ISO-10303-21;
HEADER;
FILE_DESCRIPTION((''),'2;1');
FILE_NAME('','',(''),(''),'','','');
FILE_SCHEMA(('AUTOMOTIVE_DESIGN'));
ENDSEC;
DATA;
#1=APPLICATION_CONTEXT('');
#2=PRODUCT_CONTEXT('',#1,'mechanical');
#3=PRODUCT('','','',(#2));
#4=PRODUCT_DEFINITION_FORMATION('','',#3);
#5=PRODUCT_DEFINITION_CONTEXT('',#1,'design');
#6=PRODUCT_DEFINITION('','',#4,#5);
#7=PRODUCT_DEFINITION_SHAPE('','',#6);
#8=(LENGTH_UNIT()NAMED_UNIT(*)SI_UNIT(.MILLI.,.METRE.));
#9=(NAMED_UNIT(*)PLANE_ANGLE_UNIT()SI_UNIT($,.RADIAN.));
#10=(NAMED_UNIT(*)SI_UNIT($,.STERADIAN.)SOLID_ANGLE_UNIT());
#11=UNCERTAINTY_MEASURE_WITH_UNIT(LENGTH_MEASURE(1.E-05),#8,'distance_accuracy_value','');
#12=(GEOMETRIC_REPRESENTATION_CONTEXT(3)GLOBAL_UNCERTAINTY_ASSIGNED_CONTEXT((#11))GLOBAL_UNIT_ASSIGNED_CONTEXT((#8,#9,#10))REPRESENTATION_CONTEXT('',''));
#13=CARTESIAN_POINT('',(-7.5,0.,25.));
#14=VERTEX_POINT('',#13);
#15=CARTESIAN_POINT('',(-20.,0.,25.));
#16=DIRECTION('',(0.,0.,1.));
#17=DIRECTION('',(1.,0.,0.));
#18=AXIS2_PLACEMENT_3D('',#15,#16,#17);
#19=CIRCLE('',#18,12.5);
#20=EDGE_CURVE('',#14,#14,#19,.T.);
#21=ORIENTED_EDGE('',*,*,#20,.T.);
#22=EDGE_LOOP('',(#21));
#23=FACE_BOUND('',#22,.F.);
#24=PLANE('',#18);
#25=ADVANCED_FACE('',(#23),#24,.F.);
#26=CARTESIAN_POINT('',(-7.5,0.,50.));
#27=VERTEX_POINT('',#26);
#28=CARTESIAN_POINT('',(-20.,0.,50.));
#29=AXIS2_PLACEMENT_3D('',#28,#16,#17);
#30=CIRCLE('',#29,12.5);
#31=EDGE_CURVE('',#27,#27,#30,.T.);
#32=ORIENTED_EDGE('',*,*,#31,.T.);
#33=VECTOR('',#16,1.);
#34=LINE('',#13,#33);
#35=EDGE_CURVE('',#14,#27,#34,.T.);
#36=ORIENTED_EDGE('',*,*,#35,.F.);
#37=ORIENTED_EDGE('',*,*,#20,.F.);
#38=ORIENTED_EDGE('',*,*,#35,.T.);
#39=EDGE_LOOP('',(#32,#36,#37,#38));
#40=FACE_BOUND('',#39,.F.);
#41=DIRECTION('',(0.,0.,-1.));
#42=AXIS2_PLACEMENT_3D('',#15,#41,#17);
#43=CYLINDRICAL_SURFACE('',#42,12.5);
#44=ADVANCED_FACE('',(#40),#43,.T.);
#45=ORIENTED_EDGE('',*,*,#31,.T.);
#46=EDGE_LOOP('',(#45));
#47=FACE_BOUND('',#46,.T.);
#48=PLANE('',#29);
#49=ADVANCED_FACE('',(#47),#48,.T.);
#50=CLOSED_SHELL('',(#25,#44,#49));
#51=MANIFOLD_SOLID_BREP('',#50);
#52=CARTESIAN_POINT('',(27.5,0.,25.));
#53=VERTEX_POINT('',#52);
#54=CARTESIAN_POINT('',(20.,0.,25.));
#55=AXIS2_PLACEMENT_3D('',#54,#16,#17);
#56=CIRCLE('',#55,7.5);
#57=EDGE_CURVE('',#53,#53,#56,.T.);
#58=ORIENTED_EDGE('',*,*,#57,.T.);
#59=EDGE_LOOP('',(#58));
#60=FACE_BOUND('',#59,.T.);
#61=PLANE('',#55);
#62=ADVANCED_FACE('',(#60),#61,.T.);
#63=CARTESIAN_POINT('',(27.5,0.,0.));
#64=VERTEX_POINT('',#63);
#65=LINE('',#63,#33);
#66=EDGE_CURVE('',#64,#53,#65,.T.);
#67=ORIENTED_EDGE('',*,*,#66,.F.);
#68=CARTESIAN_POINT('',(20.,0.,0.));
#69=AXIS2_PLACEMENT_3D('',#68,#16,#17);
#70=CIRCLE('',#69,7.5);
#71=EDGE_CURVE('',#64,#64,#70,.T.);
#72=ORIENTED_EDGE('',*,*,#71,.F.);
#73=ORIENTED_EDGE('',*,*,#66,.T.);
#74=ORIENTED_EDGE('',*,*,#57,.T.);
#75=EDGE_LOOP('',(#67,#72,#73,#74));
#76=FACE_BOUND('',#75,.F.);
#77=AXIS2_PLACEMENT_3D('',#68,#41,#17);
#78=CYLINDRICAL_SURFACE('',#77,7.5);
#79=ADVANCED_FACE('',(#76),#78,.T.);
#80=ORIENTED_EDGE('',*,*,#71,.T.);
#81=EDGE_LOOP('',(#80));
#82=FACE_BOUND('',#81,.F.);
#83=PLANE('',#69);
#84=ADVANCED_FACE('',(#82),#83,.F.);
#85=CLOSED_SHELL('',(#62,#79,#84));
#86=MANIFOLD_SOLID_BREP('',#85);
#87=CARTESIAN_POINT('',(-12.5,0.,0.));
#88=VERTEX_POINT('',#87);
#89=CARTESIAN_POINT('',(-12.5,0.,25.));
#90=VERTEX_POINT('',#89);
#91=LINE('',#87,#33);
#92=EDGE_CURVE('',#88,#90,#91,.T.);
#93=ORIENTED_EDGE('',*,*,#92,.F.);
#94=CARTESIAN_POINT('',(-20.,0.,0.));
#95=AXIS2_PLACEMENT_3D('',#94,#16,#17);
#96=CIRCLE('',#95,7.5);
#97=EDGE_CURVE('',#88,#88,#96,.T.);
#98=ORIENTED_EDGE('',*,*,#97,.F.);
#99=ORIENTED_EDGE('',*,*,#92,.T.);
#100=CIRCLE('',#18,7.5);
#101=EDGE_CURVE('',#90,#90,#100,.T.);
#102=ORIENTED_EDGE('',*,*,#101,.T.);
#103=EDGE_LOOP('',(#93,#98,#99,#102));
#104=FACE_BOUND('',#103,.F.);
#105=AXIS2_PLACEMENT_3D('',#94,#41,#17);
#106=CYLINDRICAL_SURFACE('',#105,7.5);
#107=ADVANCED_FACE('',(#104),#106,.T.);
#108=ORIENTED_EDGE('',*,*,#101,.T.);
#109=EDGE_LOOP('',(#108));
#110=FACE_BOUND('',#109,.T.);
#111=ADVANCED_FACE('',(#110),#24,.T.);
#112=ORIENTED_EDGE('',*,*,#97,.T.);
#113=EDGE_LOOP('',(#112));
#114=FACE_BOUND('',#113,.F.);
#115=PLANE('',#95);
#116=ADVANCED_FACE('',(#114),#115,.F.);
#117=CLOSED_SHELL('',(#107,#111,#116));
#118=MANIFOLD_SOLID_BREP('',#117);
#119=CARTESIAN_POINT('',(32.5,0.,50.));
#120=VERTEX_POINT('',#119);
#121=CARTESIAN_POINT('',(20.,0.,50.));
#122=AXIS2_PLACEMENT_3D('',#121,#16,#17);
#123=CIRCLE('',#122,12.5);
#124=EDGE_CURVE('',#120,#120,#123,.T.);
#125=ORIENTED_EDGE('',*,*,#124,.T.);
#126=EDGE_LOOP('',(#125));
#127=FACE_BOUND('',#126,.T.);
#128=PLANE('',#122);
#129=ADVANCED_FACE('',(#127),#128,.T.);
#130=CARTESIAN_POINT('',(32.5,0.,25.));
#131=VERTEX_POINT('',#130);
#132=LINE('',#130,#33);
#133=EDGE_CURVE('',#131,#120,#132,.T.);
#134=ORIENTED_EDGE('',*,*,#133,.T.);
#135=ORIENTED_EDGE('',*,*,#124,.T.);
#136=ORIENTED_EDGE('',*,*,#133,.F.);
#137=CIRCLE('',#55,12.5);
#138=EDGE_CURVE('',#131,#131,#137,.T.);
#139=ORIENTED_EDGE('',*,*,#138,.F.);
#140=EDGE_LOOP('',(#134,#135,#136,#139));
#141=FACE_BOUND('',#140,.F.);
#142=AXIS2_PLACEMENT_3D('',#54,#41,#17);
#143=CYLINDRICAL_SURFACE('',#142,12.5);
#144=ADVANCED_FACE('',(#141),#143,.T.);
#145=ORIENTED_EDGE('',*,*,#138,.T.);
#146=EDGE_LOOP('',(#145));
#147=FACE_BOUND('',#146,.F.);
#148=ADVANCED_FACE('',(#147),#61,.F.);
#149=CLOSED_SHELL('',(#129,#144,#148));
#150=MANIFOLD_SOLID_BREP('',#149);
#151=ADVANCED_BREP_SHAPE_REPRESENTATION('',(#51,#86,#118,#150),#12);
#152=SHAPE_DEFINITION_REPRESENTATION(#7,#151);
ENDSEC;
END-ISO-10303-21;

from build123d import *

# Parameters (mm, degrees)
F0_R     = 7.5
F1_DEPTH = 25
F3_R     = 12.5
F4_DEPTH = 25


with BuildPart() as f1:
    # F0 (on Top) → F1 (new body)
    with BuildSketch(Plane.XY):
        with Locations((-20, 0)):
            Circle(F0_R)
        with Locations((20, 0)):
            Circle(F0_R)
    extrude(amount=F1_DEPTH)


with BuildPart() as f4:
    # F3 (on mid) → F4 (new body)
    with BuildSketch(Plane.XY.offset(25)):
        with Locations((-20, 0)):
            Circle(F3_R)
        with Locations((20, 0)):
            Circle(F3_R)
    extrude(amount=F4_DEPTH)


solid = Compound([f1.part, f4.part])
